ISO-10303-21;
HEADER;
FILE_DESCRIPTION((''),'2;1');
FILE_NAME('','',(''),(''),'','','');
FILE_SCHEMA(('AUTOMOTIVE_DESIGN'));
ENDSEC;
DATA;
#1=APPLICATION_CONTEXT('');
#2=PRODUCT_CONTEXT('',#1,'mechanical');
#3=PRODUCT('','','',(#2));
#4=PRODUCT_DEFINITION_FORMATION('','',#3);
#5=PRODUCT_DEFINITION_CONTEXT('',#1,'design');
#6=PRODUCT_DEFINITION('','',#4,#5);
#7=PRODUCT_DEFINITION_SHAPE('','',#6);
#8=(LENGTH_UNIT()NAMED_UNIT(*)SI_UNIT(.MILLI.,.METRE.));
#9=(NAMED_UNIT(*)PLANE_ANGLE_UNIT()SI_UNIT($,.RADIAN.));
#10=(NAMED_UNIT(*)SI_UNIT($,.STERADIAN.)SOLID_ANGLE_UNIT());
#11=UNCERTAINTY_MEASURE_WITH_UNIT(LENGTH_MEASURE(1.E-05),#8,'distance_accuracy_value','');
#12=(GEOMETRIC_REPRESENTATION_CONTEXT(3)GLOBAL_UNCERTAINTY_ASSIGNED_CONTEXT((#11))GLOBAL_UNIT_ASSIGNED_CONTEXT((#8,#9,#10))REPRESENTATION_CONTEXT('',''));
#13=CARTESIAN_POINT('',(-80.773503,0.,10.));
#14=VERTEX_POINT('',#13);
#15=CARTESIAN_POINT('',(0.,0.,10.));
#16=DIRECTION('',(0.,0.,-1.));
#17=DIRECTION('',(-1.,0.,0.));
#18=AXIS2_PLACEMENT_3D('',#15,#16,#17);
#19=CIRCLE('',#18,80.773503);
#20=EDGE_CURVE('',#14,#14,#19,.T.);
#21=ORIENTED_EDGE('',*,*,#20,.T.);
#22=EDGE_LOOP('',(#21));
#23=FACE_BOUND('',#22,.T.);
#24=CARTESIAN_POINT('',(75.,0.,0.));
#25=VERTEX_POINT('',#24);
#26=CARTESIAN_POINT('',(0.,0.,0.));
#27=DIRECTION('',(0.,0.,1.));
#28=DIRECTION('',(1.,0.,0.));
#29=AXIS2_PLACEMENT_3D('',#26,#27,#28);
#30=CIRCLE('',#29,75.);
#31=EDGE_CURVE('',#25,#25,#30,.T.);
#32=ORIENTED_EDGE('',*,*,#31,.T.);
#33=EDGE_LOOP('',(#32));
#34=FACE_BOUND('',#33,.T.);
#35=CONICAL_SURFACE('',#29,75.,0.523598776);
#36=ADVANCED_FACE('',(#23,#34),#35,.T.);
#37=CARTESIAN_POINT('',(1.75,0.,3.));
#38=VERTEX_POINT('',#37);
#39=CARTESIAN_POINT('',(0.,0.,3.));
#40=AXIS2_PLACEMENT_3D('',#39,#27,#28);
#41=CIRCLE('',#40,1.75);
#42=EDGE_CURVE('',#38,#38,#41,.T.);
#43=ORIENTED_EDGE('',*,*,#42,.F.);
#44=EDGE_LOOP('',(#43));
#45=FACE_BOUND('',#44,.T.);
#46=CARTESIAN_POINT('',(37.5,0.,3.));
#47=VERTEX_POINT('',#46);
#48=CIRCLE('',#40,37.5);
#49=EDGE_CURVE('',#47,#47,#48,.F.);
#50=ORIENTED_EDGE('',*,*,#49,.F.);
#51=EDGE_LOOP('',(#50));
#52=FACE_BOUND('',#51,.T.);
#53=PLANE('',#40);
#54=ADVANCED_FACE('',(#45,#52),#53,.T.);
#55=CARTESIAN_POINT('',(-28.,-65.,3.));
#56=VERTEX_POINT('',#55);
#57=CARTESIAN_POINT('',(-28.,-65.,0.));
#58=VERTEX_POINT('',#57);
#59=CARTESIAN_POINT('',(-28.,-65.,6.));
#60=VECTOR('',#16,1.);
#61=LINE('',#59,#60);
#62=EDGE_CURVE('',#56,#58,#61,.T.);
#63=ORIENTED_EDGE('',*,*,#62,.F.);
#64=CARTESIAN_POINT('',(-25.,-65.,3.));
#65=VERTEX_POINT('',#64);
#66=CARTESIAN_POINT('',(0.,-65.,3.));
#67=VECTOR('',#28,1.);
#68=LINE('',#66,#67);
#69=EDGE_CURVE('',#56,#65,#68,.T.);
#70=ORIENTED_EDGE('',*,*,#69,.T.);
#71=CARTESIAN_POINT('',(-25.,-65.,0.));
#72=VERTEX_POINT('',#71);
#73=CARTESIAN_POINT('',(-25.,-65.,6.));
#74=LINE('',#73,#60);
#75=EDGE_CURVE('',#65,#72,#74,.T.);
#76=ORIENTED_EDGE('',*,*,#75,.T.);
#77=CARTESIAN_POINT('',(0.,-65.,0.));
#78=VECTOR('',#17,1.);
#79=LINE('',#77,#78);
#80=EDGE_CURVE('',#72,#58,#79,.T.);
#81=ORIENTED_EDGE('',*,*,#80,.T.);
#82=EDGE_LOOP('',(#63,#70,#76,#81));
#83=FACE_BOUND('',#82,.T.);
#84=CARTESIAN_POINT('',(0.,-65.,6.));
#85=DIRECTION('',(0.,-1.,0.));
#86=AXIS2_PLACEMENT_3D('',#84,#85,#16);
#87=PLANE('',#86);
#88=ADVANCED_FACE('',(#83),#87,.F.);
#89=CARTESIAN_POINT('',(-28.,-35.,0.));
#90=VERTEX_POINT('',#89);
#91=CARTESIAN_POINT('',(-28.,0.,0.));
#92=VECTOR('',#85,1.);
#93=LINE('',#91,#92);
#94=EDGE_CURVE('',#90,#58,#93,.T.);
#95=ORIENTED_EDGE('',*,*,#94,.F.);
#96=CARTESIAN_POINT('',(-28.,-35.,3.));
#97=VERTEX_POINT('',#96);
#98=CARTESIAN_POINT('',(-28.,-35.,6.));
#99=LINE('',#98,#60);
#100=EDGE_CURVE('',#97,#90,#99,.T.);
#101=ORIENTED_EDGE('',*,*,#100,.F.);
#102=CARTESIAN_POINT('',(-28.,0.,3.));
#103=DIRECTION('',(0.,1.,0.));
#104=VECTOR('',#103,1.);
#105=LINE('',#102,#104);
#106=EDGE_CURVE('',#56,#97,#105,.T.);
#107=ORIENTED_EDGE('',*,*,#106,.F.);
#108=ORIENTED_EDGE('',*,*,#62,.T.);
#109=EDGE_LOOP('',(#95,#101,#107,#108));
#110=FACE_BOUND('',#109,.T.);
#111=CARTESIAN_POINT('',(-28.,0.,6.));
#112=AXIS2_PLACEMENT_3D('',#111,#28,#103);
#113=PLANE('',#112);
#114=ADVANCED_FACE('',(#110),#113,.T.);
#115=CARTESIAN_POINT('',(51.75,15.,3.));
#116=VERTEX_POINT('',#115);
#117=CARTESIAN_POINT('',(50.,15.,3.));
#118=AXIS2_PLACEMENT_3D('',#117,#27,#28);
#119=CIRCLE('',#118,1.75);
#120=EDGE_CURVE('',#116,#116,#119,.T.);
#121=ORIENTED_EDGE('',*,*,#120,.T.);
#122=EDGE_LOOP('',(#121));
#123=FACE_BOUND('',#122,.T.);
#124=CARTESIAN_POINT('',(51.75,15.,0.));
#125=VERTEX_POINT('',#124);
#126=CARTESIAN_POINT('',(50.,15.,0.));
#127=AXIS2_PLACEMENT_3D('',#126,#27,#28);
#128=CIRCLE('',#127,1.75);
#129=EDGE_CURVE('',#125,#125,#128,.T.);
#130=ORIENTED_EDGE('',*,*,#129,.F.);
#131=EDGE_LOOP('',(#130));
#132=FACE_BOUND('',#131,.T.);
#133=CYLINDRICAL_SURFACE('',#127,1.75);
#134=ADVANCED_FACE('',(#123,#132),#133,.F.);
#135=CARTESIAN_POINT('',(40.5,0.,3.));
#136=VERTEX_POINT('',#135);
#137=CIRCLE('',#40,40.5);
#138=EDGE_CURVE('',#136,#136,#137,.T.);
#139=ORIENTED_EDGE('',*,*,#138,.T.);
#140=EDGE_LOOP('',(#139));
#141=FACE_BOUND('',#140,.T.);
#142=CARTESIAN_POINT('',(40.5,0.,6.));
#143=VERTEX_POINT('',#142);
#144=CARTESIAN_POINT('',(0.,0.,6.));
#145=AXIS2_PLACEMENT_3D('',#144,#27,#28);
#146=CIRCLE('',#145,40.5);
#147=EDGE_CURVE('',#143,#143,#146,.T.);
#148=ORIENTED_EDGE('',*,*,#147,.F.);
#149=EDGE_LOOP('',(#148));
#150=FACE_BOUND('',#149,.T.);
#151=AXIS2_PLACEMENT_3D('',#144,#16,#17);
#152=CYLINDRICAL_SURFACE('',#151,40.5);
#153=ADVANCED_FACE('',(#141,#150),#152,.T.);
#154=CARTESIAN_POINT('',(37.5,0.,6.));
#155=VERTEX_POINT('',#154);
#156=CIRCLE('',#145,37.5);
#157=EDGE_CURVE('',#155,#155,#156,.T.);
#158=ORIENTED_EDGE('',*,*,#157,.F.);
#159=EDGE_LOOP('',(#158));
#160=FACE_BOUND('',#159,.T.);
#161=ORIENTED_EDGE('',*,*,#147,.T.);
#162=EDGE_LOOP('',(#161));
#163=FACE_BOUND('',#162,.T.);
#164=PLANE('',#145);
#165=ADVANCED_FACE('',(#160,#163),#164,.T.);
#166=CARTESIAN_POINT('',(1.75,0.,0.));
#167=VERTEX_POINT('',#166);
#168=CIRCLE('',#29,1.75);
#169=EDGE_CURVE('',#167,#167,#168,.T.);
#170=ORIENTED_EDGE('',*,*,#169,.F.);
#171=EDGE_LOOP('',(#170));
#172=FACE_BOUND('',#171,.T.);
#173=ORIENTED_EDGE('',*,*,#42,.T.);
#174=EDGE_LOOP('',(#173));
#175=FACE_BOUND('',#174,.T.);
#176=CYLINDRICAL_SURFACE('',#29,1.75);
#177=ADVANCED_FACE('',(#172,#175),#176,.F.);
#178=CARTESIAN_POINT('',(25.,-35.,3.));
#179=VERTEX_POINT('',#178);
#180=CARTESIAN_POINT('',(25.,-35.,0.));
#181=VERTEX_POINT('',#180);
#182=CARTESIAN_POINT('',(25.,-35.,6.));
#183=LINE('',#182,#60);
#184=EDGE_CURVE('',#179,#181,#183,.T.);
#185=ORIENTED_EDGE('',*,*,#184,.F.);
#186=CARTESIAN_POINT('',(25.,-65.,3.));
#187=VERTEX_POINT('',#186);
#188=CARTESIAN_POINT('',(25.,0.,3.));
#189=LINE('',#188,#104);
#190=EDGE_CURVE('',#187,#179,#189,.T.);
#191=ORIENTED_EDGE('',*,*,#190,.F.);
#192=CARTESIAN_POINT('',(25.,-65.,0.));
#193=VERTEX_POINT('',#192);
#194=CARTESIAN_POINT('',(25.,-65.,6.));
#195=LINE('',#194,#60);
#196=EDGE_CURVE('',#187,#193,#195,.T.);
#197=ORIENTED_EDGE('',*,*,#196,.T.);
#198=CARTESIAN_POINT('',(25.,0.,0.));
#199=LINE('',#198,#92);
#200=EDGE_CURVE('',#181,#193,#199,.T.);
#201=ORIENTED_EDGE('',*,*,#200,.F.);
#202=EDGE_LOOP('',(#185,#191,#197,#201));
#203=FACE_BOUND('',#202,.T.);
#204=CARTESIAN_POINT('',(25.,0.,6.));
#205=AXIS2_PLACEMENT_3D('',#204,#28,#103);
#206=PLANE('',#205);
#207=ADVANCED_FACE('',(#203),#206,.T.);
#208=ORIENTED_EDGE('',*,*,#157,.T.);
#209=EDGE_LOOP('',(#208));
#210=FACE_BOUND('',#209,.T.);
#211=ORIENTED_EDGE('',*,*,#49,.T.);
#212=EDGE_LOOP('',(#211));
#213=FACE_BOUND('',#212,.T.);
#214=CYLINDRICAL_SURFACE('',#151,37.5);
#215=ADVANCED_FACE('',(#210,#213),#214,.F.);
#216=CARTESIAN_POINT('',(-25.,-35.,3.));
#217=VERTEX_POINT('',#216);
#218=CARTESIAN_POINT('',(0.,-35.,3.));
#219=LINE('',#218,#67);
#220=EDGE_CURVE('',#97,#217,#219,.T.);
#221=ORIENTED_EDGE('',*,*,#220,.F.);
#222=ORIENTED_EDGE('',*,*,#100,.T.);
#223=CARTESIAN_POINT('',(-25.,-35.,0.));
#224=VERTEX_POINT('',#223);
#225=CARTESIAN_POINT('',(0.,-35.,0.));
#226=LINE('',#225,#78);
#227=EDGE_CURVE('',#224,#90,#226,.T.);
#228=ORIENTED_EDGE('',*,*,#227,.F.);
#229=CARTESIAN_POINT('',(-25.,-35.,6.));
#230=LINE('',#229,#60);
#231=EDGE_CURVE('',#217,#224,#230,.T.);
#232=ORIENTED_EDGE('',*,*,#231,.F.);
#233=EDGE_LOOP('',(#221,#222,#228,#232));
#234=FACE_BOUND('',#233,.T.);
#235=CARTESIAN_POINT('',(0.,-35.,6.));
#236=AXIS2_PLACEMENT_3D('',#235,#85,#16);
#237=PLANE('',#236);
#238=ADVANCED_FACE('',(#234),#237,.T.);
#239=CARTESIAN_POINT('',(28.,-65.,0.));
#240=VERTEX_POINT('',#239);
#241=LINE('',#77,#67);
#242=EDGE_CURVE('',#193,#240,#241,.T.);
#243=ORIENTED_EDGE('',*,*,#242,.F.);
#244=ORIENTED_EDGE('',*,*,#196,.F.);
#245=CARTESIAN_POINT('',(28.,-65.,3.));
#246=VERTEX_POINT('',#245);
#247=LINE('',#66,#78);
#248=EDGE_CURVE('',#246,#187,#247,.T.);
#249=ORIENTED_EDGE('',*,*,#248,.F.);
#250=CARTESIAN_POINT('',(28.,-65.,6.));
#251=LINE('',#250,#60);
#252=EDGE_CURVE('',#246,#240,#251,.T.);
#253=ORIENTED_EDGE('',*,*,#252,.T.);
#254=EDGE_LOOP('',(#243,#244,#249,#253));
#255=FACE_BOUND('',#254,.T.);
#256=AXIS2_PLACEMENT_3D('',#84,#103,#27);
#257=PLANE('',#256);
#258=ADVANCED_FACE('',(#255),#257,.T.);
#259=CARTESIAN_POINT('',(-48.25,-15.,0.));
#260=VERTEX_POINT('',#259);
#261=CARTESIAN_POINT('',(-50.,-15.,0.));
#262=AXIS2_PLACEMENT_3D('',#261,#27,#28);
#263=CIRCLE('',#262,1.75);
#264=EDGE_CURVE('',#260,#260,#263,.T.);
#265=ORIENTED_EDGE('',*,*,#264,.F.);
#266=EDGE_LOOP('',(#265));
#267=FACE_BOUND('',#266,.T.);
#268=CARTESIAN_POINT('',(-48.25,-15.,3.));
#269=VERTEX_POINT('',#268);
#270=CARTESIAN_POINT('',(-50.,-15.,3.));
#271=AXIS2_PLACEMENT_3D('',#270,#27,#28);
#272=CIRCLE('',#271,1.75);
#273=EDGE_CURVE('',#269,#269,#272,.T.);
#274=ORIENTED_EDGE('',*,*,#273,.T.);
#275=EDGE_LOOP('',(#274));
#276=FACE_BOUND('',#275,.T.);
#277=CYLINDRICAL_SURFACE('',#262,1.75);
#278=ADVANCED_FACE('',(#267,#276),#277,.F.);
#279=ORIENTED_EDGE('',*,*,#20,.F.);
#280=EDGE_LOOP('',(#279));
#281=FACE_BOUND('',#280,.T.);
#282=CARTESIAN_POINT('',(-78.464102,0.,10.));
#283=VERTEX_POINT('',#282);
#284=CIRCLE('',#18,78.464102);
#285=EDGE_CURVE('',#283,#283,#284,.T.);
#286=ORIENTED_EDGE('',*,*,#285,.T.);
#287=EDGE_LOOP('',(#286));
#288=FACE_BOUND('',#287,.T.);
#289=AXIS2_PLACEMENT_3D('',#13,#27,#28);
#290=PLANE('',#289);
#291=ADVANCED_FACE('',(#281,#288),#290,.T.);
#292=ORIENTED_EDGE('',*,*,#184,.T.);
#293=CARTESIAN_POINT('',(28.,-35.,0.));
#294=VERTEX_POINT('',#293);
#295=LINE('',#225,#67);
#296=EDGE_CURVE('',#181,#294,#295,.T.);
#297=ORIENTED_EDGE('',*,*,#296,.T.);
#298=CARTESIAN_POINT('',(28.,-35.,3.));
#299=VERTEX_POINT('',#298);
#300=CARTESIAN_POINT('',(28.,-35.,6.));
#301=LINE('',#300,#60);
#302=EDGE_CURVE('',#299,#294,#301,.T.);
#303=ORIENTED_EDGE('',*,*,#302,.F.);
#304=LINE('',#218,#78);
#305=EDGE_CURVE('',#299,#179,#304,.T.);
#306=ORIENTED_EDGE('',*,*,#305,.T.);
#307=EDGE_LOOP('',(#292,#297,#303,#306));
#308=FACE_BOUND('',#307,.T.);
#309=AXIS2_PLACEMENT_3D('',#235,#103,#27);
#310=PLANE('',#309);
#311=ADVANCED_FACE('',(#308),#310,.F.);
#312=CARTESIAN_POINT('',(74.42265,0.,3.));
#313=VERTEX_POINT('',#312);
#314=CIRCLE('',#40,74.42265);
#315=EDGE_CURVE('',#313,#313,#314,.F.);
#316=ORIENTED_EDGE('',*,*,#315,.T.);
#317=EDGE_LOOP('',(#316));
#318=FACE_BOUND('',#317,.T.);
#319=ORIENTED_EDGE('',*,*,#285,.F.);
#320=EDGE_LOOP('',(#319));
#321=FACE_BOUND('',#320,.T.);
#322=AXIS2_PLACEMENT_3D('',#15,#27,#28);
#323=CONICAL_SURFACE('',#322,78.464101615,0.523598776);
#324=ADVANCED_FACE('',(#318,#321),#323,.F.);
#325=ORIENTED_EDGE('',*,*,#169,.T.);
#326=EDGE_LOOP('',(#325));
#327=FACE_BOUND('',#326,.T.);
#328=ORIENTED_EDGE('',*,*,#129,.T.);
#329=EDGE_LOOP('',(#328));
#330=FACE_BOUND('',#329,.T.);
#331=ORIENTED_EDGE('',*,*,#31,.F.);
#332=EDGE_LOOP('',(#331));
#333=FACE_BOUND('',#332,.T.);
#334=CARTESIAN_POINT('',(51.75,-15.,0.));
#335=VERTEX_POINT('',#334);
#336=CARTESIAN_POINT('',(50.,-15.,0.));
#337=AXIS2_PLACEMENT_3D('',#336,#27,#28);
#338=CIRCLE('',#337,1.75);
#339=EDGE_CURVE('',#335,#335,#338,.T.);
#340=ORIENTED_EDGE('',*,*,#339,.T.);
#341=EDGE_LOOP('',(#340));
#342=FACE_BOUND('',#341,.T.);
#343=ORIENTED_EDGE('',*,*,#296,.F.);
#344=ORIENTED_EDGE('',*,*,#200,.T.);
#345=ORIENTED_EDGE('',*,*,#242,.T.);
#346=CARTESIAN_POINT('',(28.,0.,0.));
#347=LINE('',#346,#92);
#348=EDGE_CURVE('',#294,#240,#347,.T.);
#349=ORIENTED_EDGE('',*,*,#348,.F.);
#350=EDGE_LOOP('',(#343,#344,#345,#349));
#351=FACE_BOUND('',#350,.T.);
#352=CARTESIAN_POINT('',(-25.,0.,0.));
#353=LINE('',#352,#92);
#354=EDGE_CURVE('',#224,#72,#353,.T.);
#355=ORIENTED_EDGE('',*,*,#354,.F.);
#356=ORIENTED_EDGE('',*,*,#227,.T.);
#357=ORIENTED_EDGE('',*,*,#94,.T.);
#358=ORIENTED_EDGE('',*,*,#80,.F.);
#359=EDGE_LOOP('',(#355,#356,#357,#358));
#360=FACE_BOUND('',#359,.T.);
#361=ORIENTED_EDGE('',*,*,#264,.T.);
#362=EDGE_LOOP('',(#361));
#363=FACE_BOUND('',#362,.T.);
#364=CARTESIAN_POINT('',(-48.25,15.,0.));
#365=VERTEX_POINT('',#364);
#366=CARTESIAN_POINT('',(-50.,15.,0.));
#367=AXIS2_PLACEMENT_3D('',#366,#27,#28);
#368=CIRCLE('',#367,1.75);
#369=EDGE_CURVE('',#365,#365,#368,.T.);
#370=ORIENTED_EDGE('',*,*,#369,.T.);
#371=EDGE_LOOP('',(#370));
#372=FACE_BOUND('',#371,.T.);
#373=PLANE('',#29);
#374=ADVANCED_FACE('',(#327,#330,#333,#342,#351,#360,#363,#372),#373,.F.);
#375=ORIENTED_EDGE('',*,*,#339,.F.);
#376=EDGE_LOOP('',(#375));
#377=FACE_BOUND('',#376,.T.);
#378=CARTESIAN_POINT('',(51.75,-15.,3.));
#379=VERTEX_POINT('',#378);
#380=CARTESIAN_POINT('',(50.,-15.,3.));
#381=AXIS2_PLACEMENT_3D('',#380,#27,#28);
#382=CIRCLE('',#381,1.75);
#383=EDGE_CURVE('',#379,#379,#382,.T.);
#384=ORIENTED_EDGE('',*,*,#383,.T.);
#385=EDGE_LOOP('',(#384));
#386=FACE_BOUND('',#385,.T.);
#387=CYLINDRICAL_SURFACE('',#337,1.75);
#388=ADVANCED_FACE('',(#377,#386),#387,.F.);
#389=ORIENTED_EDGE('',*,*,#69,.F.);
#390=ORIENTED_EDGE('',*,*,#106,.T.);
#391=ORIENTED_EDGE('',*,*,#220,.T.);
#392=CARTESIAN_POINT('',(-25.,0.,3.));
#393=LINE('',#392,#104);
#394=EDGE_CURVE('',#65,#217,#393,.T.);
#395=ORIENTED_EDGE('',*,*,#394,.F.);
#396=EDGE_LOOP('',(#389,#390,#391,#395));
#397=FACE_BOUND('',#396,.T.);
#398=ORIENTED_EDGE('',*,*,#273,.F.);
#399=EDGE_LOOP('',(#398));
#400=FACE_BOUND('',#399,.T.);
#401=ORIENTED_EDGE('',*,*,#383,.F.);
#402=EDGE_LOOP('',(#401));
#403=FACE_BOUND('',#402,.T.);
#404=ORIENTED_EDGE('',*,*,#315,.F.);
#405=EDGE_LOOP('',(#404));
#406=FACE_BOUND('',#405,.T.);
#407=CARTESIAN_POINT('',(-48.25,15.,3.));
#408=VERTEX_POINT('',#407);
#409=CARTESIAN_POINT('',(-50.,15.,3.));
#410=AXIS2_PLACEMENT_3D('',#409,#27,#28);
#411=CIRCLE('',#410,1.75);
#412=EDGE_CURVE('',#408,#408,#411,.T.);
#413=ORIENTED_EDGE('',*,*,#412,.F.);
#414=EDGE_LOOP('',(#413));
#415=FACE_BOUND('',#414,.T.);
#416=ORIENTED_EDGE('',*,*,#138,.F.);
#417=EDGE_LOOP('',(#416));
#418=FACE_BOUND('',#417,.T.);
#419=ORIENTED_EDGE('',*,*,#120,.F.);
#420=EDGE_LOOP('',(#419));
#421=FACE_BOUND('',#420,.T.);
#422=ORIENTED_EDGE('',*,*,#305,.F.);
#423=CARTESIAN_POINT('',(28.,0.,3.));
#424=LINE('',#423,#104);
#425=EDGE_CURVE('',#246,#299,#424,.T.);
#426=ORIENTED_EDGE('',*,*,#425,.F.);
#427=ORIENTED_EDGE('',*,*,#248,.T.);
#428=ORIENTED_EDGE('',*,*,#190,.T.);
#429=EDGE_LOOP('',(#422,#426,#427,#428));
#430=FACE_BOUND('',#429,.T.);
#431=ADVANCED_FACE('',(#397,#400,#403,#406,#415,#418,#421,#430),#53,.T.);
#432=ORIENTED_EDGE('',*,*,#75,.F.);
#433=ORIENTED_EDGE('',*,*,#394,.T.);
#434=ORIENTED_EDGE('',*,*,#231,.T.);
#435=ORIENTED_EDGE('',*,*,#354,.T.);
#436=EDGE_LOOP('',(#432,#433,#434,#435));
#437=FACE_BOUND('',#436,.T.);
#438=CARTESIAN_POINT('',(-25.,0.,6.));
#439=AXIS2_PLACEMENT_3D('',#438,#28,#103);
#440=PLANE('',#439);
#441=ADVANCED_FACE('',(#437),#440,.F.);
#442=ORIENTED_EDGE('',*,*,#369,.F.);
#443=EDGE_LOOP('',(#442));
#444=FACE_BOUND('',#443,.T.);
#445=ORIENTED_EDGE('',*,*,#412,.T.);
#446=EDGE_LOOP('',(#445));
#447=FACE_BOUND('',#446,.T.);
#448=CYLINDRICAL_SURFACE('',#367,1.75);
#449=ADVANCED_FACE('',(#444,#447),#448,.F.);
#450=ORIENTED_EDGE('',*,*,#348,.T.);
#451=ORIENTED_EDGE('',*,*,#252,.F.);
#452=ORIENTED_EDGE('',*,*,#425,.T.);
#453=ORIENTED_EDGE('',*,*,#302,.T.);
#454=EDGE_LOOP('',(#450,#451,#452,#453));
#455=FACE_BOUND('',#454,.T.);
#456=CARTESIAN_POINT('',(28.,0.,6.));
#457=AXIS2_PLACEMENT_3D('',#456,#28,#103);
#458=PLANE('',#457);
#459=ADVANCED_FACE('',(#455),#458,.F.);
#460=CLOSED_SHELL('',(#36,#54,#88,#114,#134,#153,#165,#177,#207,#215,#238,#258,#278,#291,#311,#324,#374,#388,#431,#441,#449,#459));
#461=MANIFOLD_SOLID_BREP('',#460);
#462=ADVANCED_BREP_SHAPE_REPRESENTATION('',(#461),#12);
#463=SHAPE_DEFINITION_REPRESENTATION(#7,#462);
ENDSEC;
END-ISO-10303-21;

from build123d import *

# Parameters (mm, degrees)
SKETCH1_R           = 75
BOSS_EXTRUDE1_DEPTH = 3
SKETCH2_R           = 1.75
CUT_EXTRUDE1_DEPTH  = 107.108435103
SKETCH3_R           = 40.5
SKETCH3_R_2         = 37.5
BOSS_EXTRUDE2_DEPTH = 3
SKETCH4_W           = 3
SKETCH4_H           = 30
CUT_EXTRUDE2_DEPTH  = 107.235587258


with BuildPart() as part:
    # Sketch1 → Boss-Extrude1 (new body)
    with BuildSketch(Plane.XY):
        Circle(SKETCH1_R)
    extrude(amount=BOSS_EXTRUDE1_DEPTH)

    # Sketch2 → Cut-Extrude1 (cut, through all)
    with BuildSketch(Plane.XY.offset(3)):
        with Locations((-50, 15)):
            Circle(SKETCH2_R)
        with Locations((-50, -15)):
            Circle(SKETCH2_R)
        with Locations((50, -15)):
            Circle(SKETCH2_R)
        with Locations((50, 15)):
            Circle(SKETCH2_R)
        Circle(SKETCH2_R)
    extrude(amount=-CUT_EXTRUDE1_DEPTH, mode=Mode.SUBTRACT)

    # Sketch3 → Boss-Extrude2 (add)
    with BuildSketch(Plane.XY.offset(3)):
        Circle(SKETCH3_R)
        Circle(SKETCH3_R_2, mode=Mode.SUBTRACT)
    extrude(amount=BOSS_EXTRUDE2_DEPTH)

    # Sketch4 → Cut-Extrude2 (cut, through all)
    with BuildSketch(Plane(origin=(0, 0, 0), x_dir=(-1, 0, 0), z_dir=(0, 0, -1))):
        with Locations((-26.5, -50)):
            Rectangle(SKETCH4_W, SKETCH4_H)
        with Locations((26.5, -50)):
            Rectangle(SKETCH4_W, SKETCH4_H)
    extrude(amount=-CUT_EXTRUDE2_DEPTH, mode=Mode.SUBTRACT)

    # Sketch5 → Revolve1 (revolve)
    with BuildSketch(Plane(origin=(0, 0, 0), x_dir=(1, 0, 0), z_dir=(0, 1, 0)), mode=Mode.PRIVATE) as revolve1_sk:
        Polygon((-75, 0), (-80.773502692, -10), (-78.464101615, -10), (-72.690598923, 0), align=None)
    revolve(revolve1_sk.sketch.rotate(Axis((0, 0, 0), (0, 0, 1)), 180), axis=Axis((0, 0, 0), (0, 0, 1)))


solid = part.part
